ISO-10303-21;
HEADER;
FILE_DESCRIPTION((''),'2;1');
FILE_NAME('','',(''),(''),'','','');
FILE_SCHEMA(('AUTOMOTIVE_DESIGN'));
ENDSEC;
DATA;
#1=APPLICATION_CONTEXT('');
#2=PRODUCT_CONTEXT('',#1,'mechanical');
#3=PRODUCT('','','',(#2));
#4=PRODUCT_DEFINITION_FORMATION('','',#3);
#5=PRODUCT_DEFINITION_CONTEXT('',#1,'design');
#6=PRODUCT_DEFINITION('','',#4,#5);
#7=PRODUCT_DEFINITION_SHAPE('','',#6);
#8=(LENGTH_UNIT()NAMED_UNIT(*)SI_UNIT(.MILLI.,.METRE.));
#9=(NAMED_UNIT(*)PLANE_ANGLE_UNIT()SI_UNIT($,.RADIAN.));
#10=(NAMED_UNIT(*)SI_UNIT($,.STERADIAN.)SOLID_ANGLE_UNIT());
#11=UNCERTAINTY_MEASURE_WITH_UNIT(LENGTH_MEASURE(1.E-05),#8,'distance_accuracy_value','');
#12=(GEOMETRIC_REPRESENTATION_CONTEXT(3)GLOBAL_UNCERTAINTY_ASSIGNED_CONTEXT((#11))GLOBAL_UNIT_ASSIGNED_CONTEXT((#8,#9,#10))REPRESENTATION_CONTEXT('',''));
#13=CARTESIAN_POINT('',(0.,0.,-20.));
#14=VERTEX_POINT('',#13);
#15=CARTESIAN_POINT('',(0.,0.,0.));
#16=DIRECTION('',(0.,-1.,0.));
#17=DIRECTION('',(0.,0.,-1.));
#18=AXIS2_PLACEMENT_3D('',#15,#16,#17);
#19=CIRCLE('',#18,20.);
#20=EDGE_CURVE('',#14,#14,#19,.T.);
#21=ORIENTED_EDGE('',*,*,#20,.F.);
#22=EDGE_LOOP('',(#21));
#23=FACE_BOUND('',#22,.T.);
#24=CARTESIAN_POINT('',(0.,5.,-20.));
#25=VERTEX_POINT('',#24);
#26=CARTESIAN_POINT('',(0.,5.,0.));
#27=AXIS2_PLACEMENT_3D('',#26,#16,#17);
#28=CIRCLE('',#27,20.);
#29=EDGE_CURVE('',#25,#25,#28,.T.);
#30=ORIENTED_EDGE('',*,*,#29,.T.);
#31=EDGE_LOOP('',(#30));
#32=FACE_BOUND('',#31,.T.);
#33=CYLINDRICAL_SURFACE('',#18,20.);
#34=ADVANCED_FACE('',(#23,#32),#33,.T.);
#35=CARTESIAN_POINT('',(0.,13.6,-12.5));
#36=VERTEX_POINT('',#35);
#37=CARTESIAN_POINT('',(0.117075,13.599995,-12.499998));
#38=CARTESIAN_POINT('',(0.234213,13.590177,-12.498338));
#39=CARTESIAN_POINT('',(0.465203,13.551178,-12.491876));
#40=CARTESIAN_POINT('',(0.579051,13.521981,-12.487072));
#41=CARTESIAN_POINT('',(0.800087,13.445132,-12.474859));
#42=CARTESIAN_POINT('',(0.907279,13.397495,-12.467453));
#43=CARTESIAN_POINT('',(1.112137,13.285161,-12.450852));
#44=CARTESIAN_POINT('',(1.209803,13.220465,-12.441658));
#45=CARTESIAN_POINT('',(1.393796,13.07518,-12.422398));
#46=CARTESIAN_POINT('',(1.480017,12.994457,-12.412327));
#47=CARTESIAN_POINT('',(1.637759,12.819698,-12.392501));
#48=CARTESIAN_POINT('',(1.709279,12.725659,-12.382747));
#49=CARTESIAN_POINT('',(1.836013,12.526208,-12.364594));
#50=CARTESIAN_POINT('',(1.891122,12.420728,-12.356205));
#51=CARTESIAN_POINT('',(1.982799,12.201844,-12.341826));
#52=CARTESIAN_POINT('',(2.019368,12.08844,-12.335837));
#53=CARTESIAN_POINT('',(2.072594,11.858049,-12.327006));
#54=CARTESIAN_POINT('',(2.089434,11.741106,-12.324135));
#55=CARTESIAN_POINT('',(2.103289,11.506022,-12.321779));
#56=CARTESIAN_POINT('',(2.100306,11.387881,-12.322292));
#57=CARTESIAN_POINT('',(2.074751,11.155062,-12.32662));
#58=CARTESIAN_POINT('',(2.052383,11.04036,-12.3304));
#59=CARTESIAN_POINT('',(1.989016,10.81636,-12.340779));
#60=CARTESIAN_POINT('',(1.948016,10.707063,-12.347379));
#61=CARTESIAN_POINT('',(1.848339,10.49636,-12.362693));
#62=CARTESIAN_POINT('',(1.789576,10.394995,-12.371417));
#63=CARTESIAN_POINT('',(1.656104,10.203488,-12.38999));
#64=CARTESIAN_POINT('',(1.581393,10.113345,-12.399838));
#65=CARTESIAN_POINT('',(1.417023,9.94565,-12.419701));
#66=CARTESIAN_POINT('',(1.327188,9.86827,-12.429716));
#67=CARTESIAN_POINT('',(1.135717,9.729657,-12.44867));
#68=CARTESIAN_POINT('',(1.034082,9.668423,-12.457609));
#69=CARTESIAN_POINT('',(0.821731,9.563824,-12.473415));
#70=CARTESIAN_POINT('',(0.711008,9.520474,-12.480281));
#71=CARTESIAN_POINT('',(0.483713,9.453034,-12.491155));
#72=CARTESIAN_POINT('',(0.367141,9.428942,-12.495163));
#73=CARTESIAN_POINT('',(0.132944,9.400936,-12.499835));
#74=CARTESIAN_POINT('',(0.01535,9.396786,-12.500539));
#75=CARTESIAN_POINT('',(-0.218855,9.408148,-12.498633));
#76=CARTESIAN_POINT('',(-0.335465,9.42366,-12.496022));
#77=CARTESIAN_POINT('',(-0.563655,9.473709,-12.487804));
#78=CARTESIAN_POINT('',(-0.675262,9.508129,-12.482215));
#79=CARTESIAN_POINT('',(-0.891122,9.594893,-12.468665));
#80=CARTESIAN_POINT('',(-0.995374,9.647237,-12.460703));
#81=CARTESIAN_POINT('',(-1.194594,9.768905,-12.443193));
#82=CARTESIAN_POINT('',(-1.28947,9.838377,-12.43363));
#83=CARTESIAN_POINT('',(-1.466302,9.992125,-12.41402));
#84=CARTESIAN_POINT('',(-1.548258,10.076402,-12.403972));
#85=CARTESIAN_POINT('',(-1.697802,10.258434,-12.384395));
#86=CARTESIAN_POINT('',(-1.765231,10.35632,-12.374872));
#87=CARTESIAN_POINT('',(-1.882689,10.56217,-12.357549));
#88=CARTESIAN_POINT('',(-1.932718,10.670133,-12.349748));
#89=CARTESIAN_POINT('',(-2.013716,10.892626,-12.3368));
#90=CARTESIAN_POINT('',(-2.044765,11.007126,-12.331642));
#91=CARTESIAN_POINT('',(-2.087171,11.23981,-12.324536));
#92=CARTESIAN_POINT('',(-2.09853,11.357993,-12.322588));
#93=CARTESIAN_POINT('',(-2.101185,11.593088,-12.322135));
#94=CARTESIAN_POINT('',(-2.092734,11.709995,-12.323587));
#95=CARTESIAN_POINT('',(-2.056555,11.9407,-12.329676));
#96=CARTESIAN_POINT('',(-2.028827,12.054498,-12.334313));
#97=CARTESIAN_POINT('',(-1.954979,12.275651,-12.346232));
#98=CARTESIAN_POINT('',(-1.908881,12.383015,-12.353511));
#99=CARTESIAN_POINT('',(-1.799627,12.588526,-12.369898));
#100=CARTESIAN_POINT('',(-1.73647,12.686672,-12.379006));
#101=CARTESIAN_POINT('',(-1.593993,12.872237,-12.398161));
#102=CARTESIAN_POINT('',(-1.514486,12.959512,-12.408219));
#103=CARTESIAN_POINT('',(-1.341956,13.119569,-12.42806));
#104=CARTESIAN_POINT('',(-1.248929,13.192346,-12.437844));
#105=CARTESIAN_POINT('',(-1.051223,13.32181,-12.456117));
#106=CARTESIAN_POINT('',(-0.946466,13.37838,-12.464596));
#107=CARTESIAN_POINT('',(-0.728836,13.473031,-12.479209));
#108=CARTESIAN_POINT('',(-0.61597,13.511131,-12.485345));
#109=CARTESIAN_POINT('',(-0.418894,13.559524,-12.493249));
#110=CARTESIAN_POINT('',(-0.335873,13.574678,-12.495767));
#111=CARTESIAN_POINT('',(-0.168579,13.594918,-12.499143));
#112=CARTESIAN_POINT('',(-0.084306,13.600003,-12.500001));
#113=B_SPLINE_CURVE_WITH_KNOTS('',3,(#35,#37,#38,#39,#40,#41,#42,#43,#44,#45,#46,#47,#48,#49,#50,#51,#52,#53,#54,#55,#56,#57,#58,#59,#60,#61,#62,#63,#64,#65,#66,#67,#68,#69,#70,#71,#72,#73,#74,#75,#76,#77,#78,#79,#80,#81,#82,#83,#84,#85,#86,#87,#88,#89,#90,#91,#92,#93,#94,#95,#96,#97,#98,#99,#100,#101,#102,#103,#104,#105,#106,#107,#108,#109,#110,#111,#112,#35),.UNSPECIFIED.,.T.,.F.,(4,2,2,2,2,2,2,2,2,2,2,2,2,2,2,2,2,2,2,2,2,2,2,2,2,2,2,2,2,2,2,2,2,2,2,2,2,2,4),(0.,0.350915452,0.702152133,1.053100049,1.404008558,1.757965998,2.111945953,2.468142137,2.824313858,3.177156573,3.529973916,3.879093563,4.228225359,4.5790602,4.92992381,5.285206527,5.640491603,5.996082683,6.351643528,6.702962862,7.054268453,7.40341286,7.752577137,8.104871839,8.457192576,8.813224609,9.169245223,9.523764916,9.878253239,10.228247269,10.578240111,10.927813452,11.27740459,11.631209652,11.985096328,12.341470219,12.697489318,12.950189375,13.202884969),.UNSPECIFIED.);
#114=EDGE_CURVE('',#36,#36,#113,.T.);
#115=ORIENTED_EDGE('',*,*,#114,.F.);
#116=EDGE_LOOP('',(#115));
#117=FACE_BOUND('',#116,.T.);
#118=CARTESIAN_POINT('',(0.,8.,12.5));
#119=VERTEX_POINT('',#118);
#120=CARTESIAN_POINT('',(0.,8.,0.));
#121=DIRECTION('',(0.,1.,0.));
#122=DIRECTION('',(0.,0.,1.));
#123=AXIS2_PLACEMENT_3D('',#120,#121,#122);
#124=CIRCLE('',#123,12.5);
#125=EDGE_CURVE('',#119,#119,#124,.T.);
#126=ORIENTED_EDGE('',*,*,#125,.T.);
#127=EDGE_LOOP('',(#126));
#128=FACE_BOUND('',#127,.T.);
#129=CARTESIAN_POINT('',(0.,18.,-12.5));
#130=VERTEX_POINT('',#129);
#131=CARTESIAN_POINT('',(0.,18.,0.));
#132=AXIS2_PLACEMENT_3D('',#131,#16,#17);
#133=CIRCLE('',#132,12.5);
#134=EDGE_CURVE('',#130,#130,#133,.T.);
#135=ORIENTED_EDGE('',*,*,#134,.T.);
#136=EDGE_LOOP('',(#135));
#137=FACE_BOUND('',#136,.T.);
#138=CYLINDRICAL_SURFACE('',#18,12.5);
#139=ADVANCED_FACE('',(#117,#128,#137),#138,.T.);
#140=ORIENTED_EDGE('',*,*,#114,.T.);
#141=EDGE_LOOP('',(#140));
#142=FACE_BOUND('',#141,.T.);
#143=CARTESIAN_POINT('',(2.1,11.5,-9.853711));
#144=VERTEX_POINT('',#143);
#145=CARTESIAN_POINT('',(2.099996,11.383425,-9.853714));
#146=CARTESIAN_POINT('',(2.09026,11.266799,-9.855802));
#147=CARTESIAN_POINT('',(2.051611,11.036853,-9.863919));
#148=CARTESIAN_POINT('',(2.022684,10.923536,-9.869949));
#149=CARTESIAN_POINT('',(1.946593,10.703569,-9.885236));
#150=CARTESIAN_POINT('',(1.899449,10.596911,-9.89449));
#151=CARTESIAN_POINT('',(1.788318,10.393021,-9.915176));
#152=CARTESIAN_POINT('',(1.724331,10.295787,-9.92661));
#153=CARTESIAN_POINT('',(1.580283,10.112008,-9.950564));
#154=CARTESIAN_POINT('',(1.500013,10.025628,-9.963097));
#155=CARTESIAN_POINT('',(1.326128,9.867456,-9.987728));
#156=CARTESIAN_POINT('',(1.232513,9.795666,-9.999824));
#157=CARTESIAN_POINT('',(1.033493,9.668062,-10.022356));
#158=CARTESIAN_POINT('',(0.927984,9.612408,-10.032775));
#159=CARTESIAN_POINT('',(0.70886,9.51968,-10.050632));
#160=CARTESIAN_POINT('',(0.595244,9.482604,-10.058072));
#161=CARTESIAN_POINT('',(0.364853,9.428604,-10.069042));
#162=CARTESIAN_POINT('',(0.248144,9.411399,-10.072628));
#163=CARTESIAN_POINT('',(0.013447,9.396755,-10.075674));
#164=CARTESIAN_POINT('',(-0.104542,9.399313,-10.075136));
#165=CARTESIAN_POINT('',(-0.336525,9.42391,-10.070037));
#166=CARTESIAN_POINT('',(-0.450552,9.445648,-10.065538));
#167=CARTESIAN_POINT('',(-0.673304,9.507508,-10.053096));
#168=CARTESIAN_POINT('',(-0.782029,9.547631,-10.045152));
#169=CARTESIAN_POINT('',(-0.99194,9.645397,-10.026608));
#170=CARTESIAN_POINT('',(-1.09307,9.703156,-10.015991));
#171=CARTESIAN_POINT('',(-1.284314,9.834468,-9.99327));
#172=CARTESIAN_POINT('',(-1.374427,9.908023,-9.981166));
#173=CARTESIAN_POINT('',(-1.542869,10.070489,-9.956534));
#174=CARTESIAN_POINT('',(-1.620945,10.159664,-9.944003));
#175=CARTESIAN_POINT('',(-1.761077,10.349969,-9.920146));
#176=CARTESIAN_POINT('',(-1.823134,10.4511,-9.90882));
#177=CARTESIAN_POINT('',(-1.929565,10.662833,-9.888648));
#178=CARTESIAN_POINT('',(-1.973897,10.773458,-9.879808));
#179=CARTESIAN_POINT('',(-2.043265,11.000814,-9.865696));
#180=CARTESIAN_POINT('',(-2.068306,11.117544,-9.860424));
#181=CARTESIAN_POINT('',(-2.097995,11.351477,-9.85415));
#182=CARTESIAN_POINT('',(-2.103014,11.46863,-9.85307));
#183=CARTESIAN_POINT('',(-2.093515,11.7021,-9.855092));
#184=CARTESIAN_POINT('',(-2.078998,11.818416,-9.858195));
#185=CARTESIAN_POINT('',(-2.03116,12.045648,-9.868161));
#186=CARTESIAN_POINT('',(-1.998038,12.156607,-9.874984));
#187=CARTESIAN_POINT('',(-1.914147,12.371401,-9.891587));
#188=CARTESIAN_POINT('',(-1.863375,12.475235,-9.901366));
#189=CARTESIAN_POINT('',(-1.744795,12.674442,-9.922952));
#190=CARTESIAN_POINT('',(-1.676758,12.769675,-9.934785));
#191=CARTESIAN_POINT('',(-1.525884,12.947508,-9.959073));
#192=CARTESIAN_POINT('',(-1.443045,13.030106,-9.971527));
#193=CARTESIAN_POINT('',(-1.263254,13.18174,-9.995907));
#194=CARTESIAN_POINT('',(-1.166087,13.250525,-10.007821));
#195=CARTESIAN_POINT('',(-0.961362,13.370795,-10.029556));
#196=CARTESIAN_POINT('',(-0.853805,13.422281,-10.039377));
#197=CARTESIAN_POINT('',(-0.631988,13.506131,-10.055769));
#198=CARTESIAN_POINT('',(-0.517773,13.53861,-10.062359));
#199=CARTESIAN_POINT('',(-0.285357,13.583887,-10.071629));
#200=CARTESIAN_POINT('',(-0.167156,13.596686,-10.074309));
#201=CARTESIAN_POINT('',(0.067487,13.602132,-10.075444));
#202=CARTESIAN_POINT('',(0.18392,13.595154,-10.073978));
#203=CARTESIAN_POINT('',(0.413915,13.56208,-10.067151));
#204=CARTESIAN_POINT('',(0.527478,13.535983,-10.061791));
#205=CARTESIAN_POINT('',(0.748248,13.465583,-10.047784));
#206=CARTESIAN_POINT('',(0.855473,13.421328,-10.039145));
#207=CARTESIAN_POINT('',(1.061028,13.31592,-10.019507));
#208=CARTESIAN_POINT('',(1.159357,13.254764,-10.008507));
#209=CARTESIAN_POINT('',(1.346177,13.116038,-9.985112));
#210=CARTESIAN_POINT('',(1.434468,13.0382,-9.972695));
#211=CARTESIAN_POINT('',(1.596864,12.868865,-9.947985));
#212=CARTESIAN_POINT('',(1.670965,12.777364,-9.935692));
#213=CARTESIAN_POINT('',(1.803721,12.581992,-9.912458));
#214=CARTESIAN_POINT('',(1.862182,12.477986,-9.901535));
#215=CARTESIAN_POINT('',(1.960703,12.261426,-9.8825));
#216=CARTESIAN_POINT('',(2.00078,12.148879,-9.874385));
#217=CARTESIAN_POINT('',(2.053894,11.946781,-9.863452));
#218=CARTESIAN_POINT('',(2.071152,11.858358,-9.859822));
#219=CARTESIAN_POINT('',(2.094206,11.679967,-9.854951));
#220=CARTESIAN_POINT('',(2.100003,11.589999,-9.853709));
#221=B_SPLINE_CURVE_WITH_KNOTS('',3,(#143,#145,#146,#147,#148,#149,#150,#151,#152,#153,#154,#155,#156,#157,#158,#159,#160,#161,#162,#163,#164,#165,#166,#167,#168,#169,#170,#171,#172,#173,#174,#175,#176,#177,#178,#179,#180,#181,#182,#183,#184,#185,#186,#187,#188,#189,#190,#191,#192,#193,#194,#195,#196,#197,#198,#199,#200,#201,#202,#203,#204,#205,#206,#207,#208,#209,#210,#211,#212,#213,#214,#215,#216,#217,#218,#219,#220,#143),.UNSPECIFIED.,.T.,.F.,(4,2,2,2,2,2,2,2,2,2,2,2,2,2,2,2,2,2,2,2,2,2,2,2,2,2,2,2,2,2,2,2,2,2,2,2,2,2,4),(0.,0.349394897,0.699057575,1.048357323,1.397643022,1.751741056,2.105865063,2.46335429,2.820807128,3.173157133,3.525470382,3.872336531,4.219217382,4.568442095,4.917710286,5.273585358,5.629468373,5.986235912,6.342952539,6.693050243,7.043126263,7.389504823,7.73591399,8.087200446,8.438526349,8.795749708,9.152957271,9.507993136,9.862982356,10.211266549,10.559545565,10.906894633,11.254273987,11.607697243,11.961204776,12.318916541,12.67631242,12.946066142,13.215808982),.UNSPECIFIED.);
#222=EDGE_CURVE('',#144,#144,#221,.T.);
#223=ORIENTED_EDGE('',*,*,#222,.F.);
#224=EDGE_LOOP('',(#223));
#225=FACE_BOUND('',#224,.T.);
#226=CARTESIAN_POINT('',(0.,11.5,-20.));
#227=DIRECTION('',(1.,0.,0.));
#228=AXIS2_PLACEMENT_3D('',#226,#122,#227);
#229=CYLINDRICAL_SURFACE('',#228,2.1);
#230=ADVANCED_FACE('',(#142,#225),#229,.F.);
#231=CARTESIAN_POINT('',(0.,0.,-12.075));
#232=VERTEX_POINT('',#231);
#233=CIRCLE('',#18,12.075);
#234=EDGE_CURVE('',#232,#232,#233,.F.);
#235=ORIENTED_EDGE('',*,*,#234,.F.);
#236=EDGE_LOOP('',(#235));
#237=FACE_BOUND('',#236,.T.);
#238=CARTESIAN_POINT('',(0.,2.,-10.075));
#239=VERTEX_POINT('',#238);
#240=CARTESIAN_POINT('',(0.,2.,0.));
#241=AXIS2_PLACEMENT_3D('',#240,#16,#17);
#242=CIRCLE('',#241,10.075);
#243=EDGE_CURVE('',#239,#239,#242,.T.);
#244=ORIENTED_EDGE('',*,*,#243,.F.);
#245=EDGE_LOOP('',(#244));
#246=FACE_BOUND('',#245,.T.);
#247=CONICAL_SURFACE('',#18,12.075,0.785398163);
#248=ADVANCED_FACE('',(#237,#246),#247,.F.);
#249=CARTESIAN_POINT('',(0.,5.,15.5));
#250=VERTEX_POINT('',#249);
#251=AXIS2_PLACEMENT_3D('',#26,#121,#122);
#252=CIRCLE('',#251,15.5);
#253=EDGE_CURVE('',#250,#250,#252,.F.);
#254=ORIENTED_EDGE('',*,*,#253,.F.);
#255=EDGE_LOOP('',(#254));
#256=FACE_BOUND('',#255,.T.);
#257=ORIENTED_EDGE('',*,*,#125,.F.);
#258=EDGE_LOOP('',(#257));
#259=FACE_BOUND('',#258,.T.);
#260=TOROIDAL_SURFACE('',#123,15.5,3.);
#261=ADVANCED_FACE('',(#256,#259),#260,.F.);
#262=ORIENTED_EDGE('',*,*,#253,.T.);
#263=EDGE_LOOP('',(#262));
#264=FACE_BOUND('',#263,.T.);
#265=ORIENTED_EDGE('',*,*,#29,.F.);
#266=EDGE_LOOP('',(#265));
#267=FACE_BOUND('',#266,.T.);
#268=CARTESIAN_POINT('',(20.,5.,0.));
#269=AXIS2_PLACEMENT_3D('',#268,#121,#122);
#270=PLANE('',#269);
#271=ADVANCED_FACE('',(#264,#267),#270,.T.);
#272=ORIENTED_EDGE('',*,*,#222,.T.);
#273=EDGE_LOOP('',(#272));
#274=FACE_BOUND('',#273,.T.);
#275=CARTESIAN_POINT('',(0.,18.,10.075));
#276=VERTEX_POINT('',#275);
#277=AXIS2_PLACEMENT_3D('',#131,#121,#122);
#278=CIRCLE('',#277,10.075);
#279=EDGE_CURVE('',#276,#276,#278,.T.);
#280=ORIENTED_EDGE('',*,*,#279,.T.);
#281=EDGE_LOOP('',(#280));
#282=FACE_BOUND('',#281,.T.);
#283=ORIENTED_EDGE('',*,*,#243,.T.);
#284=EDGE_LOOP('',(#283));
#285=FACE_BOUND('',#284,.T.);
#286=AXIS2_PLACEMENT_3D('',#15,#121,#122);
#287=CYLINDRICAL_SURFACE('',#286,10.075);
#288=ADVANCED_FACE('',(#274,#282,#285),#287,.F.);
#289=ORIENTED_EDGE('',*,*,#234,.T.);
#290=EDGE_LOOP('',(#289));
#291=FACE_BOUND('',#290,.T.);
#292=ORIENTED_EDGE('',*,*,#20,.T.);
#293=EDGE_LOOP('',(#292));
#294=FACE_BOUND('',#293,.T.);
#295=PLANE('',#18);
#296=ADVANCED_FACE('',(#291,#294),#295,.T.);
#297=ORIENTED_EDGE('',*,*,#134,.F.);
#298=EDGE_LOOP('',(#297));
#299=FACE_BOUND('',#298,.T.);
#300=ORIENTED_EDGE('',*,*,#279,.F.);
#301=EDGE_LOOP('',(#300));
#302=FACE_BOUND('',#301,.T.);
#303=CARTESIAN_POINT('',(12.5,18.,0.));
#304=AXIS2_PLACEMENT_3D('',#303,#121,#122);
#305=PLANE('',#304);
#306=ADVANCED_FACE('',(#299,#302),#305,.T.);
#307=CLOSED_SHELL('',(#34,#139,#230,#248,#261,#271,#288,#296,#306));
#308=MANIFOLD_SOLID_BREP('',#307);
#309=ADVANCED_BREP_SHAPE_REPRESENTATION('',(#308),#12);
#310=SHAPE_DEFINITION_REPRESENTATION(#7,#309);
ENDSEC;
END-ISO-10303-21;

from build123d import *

# Parameters (mm, degrees)
SKIZZE3_R                       = 10.075
SCHNITT_LINEAR_AUSTRAGEN1_DEPTH = 34.526109228
SKIZZE4_R                       = 2.1
SCHNITT_LINEAR_AUSTRAGEN2_DEPTH = 34.526109228
VERRUNDUNG1_R                   = 3
FASE1_SIZE                      = 2


with BuildPart() as part:
    # Skizze2 → Rotation1 (revolve)
    with BuildSketch(Plane.XY, mode=Mode.PRIVATE) as rotation1_sk:
        Polygon((0, 0), (20, 0), (20, 5), (12.5, 5), (12.5, 18), (0, 18), align=None)
    revolve(rotation1_sk.sketch.rotate(Axis((0, 0, 0), (0, 1, 0)), 90), axis=Axis((0, 0, 0), (0, 1, 0)))

    # Skizze3 → Schnitt-Linear austragen1 (cut, through all)
    with BuildSketch(Plane(origin=(0, 18, 0), x_dir=(1, 0, 0), z_dir=(0, 1, 0))):
        with Locations(Location((0, 0, 0), (0, 0, 270))):
            Circle(SKIZZE3_R)
    extrude(amount=-SCHNITT_LINEAR_AUSTRAGEN1_DEPTH, mode=Mode.SUBTRACT)

    # Skizze4 → Schnitt-Linear austragen2 (cut, through all)
    with BuildSketch(Plane.XY):
        with Locations((0, 11.5)):
            Circle(SKIZZE4_R)
    extrude(amount=-SCHNITT_LINEAR_AUSTRAGEN2_DEPTH, mode=Mode.SUBTRACT)

    # Verrundung1
    verrundung1_edges = [part.edges().sort_by_distance(p)[0] for p in [
        (0, 5, 12.5),
    ]]
    fillet(verrundung1_edges, radius=VERRUNDUNG1_R)

    # Fase1
    fase1_edges = [part.edges().sort_by_distance(p)[0] for p in [
        (0, 0, -10.075),
    ]]
    chamfer(fase1_edges, length=FASE1_SIZE)


solid = part.part
